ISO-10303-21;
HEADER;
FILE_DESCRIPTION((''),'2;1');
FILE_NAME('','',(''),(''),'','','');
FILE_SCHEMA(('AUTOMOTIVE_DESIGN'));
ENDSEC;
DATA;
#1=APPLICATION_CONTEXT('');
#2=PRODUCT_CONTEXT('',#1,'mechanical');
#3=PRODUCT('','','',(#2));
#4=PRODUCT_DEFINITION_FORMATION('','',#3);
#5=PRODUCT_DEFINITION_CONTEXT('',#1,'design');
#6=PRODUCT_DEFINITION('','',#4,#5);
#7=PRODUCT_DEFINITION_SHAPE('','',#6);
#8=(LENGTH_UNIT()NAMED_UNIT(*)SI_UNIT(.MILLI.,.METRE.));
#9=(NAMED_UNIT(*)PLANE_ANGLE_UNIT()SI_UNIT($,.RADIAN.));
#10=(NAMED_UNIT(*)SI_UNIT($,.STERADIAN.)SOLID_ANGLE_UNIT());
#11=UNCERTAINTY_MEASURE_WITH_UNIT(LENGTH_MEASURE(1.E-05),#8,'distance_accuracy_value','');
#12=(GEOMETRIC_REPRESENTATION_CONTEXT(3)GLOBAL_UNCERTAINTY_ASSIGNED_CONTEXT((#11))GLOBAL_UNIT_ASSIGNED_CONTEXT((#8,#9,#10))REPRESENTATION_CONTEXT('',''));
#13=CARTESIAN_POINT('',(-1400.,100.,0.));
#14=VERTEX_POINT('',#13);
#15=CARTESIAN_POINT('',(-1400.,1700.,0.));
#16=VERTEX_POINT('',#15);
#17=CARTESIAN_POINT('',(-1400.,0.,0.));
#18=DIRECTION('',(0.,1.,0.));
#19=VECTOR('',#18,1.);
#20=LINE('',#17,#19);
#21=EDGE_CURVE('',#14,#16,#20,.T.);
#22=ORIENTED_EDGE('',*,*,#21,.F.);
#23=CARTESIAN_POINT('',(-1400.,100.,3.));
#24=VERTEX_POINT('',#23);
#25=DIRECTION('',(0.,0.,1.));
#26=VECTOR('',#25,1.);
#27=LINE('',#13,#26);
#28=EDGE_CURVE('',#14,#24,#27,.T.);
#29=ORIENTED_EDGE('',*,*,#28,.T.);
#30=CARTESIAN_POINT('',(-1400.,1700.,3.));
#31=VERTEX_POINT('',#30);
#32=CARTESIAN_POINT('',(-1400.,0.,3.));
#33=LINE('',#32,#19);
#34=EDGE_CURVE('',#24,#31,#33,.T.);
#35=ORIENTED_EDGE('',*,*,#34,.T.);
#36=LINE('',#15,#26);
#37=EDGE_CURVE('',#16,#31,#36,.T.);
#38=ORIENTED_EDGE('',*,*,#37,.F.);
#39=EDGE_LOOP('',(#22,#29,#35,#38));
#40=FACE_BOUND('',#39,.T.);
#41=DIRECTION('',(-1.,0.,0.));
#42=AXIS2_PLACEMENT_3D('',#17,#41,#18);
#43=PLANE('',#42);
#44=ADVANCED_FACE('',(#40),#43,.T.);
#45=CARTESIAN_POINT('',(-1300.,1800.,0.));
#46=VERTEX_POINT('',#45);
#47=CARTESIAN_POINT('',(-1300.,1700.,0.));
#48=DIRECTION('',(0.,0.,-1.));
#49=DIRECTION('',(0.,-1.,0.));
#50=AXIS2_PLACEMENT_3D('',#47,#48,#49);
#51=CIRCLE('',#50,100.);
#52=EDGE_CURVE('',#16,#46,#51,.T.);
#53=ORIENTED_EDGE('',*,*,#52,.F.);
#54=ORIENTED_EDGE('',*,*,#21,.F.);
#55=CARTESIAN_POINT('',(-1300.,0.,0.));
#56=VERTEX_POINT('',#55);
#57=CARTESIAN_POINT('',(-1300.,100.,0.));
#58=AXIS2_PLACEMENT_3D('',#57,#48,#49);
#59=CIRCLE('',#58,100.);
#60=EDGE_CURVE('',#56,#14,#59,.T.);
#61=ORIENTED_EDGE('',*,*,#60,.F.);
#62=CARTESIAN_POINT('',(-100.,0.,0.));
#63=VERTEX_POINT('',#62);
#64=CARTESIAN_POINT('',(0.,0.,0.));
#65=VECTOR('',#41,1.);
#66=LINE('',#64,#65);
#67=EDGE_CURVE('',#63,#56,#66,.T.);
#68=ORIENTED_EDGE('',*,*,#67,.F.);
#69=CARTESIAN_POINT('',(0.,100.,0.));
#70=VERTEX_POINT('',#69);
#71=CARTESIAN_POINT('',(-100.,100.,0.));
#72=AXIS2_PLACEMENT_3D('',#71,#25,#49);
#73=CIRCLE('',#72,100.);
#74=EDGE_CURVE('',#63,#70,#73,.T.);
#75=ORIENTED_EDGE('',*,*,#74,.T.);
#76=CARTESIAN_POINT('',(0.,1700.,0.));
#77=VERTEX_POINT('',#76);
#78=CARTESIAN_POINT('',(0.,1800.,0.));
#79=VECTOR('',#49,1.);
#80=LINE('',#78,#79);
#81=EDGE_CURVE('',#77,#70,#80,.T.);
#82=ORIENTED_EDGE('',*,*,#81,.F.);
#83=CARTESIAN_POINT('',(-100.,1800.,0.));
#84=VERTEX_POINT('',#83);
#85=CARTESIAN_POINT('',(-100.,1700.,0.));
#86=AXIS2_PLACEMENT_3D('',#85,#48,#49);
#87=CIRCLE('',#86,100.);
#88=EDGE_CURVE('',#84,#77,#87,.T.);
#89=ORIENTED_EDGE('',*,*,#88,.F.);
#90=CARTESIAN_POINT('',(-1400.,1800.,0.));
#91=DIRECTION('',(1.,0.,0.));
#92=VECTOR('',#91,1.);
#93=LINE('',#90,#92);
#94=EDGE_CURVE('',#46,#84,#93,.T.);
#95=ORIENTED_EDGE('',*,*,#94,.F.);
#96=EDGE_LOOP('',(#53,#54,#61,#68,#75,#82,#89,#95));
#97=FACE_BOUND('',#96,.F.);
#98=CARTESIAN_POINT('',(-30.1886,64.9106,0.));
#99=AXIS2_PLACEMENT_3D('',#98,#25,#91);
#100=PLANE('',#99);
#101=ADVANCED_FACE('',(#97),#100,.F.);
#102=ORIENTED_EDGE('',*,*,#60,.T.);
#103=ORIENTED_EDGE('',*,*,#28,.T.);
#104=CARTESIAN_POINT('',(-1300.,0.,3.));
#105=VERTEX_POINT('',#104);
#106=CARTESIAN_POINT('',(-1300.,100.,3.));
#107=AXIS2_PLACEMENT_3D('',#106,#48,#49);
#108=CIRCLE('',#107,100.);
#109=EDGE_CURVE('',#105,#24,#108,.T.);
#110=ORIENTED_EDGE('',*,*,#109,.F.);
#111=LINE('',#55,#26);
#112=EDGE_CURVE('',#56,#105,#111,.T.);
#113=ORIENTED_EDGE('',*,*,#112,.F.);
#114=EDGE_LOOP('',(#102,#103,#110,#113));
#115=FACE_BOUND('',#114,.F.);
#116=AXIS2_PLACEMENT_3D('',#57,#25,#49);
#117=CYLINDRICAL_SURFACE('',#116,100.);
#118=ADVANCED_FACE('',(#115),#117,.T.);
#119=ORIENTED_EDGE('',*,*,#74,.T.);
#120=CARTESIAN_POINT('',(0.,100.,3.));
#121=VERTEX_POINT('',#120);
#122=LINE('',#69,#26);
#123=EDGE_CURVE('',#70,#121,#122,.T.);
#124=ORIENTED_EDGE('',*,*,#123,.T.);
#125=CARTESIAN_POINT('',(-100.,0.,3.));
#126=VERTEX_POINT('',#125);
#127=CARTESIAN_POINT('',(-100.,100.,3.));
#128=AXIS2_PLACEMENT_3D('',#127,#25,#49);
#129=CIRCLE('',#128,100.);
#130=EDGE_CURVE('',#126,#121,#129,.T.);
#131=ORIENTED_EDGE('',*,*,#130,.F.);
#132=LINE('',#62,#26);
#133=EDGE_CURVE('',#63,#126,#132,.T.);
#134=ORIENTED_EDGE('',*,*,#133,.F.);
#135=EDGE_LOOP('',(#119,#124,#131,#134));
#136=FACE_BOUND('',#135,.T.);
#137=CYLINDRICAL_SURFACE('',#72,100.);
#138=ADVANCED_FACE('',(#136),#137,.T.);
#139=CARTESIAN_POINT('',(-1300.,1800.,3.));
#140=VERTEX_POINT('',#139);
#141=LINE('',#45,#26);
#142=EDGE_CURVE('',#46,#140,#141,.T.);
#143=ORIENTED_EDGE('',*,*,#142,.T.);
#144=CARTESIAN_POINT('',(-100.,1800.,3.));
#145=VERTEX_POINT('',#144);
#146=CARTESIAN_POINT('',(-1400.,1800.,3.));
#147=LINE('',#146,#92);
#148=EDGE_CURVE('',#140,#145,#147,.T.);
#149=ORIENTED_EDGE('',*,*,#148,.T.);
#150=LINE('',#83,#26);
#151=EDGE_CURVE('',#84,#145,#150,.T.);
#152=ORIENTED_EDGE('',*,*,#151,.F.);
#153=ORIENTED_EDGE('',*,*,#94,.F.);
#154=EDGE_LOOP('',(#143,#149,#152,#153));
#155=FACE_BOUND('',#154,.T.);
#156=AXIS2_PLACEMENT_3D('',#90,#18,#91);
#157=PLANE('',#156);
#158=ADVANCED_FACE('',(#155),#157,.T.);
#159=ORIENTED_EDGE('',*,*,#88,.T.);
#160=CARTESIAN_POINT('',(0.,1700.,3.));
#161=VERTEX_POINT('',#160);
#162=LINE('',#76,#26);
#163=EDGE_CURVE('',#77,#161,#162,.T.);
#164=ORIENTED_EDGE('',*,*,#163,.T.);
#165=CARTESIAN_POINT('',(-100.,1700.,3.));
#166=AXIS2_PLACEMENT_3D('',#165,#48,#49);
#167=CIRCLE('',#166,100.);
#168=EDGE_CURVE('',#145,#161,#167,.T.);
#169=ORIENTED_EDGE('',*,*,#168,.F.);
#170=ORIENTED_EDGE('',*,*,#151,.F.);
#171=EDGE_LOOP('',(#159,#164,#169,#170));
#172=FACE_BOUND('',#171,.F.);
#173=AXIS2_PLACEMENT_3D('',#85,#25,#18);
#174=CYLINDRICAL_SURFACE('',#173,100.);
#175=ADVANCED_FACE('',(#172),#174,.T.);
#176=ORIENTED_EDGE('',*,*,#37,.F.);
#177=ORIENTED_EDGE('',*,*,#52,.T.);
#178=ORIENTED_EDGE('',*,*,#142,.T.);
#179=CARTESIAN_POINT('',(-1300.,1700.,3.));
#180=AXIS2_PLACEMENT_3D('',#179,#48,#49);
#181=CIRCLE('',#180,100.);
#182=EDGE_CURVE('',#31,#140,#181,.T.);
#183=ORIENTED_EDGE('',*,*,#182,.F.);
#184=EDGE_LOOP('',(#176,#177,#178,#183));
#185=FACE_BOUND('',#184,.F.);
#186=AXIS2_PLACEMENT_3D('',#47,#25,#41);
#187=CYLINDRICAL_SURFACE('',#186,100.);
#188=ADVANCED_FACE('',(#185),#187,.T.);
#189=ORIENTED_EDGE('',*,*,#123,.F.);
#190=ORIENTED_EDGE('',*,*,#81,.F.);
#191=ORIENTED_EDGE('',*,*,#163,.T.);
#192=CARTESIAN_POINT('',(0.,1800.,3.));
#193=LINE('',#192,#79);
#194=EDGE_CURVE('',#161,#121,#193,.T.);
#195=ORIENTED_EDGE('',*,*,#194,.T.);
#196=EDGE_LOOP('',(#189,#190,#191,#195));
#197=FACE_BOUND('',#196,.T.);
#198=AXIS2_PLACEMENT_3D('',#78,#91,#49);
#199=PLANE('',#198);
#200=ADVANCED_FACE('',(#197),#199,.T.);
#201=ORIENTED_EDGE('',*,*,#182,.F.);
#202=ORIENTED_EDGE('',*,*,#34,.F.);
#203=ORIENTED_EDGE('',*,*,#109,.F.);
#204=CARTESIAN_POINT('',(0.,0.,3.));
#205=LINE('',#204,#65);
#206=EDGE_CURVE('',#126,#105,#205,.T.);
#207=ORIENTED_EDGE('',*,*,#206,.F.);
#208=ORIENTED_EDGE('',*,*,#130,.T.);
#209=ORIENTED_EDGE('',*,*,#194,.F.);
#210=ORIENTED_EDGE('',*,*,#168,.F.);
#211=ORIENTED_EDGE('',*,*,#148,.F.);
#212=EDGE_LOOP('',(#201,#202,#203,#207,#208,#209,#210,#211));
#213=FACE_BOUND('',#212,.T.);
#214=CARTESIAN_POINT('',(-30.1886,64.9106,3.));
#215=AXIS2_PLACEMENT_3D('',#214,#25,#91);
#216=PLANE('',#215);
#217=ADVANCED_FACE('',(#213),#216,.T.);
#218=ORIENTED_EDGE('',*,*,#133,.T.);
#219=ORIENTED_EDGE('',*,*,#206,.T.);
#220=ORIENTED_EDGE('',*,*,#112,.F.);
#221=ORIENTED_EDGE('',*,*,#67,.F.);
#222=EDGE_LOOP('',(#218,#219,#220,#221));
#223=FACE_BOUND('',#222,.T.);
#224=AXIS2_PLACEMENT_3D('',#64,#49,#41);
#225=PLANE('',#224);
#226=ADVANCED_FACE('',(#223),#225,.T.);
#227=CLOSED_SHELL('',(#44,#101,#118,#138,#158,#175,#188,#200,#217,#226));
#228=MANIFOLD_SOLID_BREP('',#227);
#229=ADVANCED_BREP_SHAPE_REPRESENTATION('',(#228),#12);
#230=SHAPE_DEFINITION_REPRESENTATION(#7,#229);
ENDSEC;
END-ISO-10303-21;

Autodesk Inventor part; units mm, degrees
ref_plane "YZ Plane" through (0, 0, 0) normal (1, 0, 0) x (0, 1, 0)
ref_plane "XZ Plane" through (0, 0, 0) normal (0, 1, 0) x (-1, 0, 0)
ref_plane "XY Plane" through (0, 0, 0) normal (0, 0, 1) x (1, 0, 0)
ref_plane "Plano de trabajo1" through (-30.1886, 64.9106, 0) normal (0, 0, 1) x (1, 0, 0)
sketch "Boceto1" plane through (-30.1886, 64.9106, 0) normal (0, 0, 1) x (1, 0, 0)
  line L0 (30.1886, -64.9106) -> (-1369.8114, -64.9106)
  line L1 (-1369.8114, -64.9106) -> (-1369.8114, 1735.0894)
  line L2 (-1369.8114, 1735.0894) -> (30.1886, 1735.0894)
  line L3 (30.1886, 1735.0894) -> (30.1886, -64.9106)
  dimension "d0" = 1400
  dimension "d1" = 1800
extrude "Extrusión1" add sketch "Boceto1" along normal blind 3
fillet "Empalme1" radius 100 4 edges at (0, 0, 1.5) (-1400, 0, 1.5) (-1400, 1800, 1.5) (0, 1800, 1.5)
properties part number "Alfombras"
